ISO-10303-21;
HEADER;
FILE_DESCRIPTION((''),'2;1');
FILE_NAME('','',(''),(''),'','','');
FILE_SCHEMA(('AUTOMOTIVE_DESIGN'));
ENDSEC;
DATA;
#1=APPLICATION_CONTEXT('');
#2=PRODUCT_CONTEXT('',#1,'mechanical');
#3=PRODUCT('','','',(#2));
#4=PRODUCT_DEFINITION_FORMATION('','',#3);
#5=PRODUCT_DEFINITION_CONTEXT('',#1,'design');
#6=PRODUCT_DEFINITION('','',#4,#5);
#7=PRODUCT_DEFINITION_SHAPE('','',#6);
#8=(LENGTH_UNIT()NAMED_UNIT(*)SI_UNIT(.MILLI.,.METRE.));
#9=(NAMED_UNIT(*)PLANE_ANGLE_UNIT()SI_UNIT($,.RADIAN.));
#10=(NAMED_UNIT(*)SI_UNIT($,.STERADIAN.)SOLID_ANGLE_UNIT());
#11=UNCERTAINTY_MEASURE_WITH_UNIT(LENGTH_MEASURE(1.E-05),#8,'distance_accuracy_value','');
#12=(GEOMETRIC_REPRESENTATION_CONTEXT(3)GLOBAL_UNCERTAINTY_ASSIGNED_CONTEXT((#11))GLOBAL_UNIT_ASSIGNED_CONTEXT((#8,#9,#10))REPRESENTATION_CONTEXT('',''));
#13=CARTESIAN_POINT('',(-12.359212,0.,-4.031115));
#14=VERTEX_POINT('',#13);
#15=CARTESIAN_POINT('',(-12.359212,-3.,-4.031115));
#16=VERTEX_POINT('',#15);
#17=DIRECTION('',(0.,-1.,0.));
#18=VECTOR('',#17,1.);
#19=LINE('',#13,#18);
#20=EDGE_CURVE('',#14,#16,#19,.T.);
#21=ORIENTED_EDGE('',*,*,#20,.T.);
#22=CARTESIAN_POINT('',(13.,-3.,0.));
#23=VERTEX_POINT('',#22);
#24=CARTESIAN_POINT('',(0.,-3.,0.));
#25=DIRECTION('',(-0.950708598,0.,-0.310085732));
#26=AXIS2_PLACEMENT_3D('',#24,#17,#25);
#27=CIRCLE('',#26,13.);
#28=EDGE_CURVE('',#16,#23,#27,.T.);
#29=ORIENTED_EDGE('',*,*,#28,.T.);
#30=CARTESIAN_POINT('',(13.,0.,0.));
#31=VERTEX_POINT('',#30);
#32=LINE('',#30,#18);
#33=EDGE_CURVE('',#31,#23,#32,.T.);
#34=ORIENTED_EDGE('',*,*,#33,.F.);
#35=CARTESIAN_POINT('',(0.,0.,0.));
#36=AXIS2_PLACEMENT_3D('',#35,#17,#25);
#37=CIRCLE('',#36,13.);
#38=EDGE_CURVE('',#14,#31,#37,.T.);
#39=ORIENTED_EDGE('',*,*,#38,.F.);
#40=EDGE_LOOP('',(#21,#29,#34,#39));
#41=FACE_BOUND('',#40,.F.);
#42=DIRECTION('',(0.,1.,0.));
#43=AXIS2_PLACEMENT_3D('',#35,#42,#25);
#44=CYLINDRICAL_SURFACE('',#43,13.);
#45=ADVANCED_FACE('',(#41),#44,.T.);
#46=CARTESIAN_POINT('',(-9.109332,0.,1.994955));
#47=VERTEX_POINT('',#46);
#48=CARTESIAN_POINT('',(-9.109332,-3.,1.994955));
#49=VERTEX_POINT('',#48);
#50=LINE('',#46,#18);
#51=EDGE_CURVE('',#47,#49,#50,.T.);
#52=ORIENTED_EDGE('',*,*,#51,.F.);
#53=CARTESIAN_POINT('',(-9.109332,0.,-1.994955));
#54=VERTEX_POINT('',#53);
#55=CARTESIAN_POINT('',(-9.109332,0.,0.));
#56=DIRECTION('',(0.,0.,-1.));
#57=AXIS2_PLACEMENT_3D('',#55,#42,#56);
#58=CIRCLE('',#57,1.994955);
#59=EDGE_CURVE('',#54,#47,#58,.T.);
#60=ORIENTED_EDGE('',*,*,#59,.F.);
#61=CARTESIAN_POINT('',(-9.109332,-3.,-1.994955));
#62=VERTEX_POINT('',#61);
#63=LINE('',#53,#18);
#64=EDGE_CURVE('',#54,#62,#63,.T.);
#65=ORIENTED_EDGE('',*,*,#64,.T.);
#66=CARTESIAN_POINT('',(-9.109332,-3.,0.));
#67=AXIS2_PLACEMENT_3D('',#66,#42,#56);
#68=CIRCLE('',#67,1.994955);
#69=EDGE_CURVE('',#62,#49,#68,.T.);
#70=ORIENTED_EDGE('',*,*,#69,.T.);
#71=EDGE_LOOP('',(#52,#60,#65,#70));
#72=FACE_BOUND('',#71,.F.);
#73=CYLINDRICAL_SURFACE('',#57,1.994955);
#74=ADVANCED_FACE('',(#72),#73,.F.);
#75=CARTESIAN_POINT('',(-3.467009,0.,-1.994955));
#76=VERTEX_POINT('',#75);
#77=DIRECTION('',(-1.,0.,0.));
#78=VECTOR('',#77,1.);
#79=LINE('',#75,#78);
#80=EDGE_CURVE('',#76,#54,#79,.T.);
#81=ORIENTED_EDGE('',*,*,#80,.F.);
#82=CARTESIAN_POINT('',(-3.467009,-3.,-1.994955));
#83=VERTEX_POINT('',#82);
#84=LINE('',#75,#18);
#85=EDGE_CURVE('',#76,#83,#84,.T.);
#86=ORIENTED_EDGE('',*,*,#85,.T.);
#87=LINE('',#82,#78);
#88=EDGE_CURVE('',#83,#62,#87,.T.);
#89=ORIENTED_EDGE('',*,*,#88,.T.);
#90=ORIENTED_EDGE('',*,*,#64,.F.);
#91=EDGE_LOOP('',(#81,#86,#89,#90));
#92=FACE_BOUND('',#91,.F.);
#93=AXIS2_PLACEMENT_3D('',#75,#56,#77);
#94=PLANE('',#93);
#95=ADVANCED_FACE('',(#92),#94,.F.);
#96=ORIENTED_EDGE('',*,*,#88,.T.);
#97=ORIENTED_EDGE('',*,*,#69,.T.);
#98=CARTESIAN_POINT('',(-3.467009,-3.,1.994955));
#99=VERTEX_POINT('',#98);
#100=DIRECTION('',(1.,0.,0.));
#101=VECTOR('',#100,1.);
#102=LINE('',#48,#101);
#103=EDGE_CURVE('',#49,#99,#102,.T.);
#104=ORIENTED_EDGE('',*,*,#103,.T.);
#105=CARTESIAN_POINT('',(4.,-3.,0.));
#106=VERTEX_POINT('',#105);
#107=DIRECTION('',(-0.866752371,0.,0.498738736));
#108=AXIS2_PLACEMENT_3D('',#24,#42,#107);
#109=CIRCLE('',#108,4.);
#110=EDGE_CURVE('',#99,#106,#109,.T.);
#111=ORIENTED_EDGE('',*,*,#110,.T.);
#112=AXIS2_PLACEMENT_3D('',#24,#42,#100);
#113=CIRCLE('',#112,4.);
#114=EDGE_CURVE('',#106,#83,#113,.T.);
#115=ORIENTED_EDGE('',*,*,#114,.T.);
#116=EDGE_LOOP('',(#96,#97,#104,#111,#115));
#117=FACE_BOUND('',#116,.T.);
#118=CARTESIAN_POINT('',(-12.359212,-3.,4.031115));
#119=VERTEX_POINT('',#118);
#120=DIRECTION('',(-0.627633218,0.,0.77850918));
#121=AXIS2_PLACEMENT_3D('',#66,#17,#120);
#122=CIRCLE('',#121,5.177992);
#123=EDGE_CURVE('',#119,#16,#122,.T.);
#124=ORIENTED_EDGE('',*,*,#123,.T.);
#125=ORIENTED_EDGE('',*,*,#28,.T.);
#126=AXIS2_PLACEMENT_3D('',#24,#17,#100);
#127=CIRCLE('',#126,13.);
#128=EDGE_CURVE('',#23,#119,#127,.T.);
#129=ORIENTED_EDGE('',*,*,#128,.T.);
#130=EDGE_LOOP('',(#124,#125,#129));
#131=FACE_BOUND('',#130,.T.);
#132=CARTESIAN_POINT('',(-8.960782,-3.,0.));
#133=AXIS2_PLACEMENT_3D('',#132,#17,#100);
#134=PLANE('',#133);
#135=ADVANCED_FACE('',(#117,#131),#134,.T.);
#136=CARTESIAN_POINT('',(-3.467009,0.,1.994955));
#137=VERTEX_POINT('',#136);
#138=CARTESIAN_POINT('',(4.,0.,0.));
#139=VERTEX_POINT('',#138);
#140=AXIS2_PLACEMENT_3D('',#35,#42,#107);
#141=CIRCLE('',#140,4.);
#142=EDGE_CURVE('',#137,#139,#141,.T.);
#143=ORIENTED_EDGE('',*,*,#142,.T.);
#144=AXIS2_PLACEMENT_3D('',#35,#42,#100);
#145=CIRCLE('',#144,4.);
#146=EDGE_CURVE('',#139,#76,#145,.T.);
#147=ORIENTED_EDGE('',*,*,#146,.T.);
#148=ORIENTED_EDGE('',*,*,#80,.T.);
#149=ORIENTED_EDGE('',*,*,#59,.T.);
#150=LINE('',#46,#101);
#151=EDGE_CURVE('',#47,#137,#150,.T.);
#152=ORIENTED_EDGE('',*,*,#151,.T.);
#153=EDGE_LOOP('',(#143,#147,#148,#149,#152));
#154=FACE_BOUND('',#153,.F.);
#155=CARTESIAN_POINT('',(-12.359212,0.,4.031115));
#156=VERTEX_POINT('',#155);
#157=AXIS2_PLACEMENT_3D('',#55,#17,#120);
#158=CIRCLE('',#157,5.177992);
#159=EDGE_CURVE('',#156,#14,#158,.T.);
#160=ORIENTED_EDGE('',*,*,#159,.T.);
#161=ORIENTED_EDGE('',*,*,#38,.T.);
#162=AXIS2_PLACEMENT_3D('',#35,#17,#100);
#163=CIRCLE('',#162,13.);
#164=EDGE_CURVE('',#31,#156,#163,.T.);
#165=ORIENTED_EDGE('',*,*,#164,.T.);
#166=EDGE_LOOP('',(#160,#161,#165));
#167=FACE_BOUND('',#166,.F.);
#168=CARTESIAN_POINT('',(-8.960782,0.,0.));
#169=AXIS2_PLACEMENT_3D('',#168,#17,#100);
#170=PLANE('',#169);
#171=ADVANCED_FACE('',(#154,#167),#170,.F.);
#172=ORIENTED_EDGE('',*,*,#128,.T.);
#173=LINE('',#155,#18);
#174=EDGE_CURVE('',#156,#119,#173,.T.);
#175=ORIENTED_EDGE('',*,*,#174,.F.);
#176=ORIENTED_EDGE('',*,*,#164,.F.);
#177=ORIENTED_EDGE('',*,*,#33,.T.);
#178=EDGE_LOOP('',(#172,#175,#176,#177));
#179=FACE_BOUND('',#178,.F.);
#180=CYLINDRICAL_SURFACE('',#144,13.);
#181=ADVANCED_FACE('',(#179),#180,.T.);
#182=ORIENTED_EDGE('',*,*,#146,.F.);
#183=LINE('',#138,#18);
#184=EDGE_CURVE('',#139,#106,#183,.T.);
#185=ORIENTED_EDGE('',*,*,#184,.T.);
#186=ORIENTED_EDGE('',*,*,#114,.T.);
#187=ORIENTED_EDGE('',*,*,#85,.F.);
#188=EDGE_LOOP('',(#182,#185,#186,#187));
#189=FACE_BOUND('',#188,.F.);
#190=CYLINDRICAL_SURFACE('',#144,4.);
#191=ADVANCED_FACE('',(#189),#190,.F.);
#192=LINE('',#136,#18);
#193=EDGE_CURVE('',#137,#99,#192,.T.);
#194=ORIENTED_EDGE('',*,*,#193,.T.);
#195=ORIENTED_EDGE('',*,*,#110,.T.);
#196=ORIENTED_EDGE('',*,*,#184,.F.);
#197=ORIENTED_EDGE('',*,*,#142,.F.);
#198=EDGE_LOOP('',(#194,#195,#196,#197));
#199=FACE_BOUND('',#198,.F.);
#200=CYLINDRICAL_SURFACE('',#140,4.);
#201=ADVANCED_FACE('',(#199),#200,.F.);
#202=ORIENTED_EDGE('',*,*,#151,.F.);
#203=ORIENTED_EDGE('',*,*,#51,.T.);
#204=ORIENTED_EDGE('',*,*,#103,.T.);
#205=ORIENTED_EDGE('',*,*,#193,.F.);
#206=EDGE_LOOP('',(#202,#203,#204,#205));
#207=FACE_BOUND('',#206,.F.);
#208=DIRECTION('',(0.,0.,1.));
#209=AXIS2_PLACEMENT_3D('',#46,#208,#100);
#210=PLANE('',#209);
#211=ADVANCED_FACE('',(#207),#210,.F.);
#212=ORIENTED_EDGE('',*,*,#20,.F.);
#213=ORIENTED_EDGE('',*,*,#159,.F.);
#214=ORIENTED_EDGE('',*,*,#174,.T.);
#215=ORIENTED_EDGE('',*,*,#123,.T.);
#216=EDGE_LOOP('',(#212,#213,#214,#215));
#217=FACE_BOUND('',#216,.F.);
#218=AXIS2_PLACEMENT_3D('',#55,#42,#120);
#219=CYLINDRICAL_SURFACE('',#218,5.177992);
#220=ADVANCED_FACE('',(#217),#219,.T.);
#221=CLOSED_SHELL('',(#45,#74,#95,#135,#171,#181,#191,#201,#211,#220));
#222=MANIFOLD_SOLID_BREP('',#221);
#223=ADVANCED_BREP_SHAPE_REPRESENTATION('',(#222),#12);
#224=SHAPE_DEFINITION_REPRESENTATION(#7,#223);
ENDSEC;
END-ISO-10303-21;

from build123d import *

# Parameters (mm, degrees)
F1_DEPTH = 3


with BuildPart() as f1:
    # F0 (on Front) → F1 (new body)
    with BuildSketch(Plane.XZ):
        with BuildLine():
            Line((-9.1093318323, 1.994954946), (-4.331072879, 1.994954946))
            ThreePointArc((-4.331072879, 1.994954946), (-7.8363542053, 5.0190767898), (-12.3592117795, 4.0311145096))
            ThreePointArc((-12.3592117795, 4.0311145096), (-13, 0), (-12.3592117795, -4.0311145096))
            ThreePointArc((-12.3592117795, -4.0311145096), (-7.8363542053, -5.0190767898), (-4.331072879, -1.994954946))
            Line((-4.331072879, -1.994954946), (-9.1093318323, -1.994954946))
            ThreePointArc((-9.1093318323, -1.994954946), (-11.1042867783, 0), (-9.1093318323, 1.994954946))
        make_face()
        with BuildLine():
            ThreePointArc((-3.4670094842, 1.994954946), (1.032463574, 3.8644558438), (4, 0))
            ThreePointArc((4, 0), (1.032463574, -3.8644558438), (-3.4670094842, -1.994954946))
            Line((-3.4670094842, -1.994954946), (-4.331072879, -1.994954946))
            ThreePointArc((-4.331072879, -1.994954946), (-7.8363542053, -5.0190767898), (-12.3592117795, -4.0311145096))
            ThreePointArc((-12.3592117795, -4.0311145096), (2.0408634039, -12.8388035489), (13, 0))
            ThreePointArc((13, 0), (2.0408634039, 12.8388035489), (-12.3592117795, 4.0311145096))
            ThreePointArc((-12.3592117795, 4.0311145096), (-7.8363542053, 5.0190767898), (-4.331072879, 1.994954946))
            Line((-4.331072879, 1.994954946), (-3.4670094842, 1.994954946))
        make_face()
        with BuildLine():
            ThreePointArc((-12.3592117795, -4.0311145096), (-13, 0), (-12.3592117795, 4.0311145096))
            ThreePointArc((-12.3592117795, 4.0311145096), (-14.2873240939, 0), (-12.3592117795, -4.0311145096))
        make_face()
    extrude(amount=F1_DEPTH)


solid = f1.part
